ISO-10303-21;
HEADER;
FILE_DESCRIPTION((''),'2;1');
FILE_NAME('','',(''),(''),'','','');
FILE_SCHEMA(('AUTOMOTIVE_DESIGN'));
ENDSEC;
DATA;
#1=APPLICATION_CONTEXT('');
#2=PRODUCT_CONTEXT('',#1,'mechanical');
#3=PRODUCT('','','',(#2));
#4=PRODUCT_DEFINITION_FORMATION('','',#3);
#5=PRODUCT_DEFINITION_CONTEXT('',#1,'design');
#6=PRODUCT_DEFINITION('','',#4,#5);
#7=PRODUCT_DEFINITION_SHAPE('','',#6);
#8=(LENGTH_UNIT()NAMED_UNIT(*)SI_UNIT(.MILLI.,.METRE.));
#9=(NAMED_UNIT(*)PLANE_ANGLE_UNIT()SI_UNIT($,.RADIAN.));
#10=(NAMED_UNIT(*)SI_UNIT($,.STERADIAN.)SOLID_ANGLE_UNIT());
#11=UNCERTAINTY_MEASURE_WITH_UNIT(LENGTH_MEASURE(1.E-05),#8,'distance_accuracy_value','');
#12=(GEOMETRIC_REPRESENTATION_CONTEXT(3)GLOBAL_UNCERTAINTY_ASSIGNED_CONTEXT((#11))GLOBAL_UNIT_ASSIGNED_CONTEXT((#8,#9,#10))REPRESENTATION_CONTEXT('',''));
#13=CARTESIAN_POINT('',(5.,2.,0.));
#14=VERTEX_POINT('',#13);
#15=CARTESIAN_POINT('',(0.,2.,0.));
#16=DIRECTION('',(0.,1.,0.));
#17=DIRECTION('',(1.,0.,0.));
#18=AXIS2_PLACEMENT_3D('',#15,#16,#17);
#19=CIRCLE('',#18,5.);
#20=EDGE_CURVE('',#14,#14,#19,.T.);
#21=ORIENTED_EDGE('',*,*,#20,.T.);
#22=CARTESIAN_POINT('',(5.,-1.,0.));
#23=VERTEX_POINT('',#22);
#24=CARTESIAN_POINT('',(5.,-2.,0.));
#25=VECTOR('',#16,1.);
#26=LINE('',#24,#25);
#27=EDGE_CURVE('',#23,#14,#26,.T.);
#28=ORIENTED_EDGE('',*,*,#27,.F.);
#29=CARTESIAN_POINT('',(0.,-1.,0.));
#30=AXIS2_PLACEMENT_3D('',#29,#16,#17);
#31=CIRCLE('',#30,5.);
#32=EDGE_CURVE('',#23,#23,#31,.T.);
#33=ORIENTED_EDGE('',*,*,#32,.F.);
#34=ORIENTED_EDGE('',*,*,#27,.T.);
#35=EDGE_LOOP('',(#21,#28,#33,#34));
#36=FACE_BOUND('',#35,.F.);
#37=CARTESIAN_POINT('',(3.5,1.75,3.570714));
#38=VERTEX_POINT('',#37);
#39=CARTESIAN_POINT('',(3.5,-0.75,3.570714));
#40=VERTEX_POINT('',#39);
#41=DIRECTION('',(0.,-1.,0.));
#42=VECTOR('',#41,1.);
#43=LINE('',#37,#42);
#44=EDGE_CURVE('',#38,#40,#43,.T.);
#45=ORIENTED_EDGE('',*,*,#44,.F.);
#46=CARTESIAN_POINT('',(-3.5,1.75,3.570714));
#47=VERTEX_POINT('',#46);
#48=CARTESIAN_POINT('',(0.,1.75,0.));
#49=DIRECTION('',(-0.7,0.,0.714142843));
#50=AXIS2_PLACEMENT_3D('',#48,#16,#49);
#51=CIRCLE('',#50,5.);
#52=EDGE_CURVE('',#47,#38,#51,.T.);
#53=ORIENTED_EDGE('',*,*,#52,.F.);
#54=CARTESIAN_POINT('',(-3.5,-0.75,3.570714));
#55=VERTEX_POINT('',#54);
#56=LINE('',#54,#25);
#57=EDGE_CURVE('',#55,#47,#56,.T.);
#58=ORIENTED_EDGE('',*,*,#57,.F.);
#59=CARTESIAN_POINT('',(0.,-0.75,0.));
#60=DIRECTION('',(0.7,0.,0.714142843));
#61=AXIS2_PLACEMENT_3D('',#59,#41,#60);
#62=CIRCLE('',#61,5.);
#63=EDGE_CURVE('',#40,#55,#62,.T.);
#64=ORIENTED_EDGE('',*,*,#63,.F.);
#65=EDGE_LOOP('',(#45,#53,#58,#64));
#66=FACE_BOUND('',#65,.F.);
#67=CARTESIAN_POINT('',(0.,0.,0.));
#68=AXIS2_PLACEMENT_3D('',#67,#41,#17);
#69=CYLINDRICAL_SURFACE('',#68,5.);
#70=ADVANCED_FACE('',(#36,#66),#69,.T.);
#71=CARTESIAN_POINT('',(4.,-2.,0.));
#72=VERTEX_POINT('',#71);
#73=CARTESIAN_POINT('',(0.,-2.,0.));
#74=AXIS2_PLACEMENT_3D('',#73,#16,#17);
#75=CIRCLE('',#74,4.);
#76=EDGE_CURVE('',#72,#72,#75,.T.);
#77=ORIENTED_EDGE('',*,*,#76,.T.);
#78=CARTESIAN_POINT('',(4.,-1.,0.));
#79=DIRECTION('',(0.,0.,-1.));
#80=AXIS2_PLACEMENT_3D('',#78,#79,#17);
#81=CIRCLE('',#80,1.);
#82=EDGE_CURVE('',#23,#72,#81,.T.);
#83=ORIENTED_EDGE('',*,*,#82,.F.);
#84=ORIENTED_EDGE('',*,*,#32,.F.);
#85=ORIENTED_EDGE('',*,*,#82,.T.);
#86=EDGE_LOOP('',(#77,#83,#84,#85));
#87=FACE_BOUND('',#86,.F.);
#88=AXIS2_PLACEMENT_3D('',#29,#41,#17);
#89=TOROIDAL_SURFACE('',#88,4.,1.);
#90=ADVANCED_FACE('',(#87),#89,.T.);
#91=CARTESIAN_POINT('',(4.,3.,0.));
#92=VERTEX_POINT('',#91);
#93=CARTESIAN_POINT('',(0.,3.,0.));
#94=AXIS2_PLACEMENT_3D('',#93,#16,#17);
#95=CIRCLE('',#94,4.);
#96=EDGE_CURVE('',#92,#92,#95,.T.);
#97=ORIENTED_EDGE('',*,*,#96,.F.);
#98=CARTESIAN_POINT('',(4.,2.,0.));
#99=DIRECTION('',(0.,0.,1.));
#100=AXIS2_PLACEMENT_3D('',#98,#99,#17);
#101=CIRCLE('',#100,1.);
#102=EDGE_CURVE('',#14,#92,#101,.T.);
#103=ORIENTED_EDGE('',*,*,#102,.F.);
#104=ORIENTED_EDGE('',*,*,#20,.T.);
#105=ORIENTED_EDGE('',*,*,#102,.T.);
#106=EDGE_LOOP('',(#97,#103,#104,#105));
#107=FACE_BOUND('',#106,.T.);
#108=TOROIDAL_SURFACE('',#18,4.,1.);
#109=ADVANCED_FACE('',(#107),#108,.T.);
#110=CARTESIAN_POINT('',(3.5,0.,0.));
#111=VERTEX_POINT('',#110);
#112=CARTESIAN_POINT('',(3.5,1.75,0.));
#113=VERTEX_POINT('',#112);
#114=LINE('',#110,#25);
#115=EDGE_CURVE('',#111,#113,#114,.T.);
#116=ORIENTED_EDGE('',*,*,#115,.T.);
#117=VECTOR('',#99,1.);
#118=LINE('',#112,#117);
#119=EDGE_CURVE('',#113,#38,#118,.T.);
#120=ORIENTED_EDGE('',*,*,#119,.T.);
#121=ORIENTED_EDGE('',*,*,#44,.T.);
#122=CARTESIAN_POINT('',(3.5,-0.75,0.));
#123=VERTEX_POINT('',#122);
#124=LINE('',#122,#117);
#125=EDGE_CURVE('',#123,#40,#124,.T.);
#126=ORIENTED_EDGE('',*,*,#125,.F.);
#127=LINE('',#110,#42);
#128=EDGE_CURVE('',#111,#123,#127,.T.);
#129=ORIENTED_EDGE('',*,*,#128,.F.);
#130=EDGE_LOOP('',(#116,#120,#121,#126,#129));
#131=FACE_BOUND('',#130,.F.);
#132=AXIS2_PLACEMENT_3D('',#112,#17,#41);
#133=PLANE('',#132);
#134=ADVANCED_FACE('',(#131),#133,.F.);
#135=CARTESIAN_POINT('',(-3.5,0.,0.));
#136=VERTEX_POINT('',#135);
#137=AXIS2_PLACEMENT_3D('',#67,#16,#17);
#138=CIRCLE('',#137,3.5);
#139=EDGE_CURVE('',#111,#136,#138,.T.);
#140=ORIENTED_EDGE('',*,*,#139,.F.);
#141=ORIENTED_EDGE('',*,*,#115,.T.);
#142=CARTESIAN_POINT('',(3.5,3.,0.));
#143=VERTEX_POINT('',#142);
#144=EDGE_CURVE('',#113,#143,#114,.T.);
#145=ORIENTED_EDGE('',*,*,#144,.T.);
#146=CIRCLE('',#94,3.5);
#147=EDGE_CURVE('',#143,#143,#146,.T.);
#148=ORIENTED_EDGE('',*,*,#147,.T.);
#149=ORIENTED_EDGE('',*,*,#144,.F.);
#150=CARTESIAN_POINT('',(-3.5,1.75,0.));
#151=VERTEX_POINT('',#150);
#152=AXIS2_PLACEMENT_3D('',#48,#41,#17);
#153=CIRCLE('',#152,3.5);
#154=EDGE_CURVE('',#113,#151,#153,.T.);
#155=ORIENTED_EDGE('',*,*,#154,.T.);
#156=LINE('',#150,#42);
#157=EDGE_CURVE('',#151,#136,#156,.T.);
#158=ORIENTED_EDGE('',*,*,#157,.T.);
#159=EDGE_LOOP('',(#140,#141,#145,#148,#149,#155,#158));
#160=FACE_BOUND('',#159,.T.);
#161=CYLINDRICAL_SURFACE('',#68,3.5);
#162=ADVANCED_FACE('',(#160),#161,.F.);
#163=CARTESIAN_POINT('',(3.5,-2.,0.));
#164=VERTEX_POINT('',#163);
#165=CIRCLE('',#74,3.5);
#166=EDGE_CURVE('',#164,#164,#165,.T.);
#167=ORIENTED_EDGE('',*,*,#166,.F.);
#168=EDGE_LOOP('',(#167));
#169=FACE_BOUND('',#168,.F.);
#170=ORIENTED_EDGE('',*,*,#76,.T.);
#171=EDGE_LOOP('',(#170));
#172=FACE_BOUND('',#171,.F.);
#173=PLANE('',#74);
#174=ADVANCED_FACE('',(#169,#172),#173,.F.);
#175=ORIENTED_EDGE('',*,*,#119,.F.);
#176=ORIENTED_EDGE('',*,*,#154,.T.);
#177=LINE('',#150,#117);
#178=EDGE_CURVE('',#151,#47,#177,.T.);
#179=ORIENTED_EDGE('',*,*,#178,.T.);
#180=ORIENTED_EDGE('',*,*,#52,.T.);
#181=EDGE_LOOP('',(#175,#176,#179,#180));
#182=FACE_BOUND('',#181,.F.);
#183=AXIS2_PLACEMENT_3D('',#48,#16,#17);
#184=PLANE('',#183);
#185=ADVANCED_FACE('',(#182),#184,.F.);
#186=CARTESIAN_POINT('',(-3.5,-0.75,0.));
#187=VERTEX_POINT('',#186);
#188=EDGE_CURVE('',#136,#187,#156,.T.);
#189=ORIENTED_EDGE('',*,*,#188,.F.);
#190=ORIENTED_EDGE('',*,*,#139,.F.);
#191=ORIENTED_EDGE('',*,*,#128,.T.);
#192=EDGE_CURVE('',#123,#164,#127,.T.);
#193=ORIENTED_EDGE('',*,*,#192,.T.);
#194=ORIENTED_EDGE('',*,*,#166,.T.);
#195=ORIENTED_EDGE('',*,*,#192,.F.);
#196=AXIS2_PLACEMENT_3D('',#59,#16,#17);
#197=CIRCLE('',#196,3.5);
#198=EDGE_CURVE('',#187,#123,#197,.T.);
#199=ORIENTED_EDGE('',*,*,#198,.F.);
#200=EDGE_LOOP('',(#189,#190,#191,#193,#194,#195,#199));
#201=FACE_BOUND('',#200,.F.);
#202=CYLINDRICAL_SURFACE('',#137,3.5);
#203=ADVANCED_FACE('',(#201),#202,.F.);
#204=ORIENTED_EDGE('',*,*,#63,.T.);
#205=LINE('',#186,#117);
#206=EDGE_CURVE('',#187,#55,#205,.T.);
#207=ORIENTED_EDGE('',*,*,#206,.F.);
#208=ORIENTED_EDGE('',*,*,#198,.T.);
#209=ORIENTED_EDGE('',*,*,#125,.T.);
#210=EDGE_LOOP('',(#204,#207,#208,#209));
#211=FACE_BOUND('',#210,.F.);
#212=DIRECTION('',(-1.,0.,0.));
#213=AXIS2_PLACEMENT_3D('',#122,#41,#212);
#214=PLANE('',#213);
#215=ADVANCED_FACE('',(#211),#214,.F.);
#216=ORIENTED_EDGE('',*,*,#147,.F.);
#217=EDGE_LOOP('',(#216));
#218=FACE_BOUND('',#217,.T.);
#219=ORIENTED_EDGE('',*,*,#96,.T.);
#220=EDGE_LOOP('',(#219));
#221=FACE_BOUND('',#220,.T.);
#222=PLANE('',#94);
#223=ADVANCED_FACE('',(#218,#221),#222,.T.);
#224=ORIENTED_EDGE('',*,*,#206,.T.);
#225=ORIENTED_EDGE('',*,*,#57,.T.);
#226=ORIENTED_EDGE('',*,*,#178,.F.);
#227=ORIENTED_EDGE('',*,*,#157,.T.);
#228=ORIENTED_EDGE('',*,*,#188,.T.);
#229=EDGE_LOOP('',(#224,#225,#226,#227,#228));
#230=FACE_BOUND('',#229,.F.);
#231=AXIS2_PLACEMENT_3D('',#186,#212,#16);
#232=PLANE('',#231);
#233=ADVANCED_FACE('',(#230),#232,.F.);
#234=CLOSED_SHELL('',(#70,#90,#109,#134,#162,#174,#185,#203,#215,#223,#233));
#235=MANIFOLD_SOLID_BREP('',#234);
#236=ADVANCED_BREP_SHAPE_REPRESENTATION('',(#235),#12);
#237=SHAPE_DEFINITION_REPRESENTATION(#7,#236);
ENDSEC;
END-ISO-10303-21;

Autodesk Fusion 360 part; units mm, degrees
sketch "Sketch1" plane through (0, 0, 0) normal (0, 1, 0) x (1, 0, 0)
  circle A0 centre (0, 0) radius 3.5
  circle A1 centre (0, 0) radius 5
  dimension "d1" = 7
  dimension "d2" = 10
extrude "Extrude1" add sketch "Sketch1" along normal blind 3 and the other way blind 2
sketch "Sketch2" plane through (0, 0, 0) normal (0, 0, 1) x (1, 0, 0)
  line L0 (3.5, -0.75) -> (-3.5, -0.75)
  line L1 (-3.5, -0.75) -> (-3.5, 1.75)
  line L2 (-3.5, 1.75) -> (3.5, 1.75)
  line L3 (3.5, 1.75) -> (3.5, -0.75)
  line L4 (0, 0) -> (-3.5, 0)
  line L5 (0, 0) -> (0, 1.75)
  dimension "d7" = 7
  dimension "d8" = 2.5
  dimension "d15" = 3.5
  dimension "d16" = 1.75
extrude "Extrude2" cut sketch "Sketch2" along normal blind 5
fillet "Fillet1" radius 1 1 edges at (-4.6616, 3, 1.8081)
fillet "Fillet2" radius 1 1 edges at (-4.6616, -2, -1.8081)
